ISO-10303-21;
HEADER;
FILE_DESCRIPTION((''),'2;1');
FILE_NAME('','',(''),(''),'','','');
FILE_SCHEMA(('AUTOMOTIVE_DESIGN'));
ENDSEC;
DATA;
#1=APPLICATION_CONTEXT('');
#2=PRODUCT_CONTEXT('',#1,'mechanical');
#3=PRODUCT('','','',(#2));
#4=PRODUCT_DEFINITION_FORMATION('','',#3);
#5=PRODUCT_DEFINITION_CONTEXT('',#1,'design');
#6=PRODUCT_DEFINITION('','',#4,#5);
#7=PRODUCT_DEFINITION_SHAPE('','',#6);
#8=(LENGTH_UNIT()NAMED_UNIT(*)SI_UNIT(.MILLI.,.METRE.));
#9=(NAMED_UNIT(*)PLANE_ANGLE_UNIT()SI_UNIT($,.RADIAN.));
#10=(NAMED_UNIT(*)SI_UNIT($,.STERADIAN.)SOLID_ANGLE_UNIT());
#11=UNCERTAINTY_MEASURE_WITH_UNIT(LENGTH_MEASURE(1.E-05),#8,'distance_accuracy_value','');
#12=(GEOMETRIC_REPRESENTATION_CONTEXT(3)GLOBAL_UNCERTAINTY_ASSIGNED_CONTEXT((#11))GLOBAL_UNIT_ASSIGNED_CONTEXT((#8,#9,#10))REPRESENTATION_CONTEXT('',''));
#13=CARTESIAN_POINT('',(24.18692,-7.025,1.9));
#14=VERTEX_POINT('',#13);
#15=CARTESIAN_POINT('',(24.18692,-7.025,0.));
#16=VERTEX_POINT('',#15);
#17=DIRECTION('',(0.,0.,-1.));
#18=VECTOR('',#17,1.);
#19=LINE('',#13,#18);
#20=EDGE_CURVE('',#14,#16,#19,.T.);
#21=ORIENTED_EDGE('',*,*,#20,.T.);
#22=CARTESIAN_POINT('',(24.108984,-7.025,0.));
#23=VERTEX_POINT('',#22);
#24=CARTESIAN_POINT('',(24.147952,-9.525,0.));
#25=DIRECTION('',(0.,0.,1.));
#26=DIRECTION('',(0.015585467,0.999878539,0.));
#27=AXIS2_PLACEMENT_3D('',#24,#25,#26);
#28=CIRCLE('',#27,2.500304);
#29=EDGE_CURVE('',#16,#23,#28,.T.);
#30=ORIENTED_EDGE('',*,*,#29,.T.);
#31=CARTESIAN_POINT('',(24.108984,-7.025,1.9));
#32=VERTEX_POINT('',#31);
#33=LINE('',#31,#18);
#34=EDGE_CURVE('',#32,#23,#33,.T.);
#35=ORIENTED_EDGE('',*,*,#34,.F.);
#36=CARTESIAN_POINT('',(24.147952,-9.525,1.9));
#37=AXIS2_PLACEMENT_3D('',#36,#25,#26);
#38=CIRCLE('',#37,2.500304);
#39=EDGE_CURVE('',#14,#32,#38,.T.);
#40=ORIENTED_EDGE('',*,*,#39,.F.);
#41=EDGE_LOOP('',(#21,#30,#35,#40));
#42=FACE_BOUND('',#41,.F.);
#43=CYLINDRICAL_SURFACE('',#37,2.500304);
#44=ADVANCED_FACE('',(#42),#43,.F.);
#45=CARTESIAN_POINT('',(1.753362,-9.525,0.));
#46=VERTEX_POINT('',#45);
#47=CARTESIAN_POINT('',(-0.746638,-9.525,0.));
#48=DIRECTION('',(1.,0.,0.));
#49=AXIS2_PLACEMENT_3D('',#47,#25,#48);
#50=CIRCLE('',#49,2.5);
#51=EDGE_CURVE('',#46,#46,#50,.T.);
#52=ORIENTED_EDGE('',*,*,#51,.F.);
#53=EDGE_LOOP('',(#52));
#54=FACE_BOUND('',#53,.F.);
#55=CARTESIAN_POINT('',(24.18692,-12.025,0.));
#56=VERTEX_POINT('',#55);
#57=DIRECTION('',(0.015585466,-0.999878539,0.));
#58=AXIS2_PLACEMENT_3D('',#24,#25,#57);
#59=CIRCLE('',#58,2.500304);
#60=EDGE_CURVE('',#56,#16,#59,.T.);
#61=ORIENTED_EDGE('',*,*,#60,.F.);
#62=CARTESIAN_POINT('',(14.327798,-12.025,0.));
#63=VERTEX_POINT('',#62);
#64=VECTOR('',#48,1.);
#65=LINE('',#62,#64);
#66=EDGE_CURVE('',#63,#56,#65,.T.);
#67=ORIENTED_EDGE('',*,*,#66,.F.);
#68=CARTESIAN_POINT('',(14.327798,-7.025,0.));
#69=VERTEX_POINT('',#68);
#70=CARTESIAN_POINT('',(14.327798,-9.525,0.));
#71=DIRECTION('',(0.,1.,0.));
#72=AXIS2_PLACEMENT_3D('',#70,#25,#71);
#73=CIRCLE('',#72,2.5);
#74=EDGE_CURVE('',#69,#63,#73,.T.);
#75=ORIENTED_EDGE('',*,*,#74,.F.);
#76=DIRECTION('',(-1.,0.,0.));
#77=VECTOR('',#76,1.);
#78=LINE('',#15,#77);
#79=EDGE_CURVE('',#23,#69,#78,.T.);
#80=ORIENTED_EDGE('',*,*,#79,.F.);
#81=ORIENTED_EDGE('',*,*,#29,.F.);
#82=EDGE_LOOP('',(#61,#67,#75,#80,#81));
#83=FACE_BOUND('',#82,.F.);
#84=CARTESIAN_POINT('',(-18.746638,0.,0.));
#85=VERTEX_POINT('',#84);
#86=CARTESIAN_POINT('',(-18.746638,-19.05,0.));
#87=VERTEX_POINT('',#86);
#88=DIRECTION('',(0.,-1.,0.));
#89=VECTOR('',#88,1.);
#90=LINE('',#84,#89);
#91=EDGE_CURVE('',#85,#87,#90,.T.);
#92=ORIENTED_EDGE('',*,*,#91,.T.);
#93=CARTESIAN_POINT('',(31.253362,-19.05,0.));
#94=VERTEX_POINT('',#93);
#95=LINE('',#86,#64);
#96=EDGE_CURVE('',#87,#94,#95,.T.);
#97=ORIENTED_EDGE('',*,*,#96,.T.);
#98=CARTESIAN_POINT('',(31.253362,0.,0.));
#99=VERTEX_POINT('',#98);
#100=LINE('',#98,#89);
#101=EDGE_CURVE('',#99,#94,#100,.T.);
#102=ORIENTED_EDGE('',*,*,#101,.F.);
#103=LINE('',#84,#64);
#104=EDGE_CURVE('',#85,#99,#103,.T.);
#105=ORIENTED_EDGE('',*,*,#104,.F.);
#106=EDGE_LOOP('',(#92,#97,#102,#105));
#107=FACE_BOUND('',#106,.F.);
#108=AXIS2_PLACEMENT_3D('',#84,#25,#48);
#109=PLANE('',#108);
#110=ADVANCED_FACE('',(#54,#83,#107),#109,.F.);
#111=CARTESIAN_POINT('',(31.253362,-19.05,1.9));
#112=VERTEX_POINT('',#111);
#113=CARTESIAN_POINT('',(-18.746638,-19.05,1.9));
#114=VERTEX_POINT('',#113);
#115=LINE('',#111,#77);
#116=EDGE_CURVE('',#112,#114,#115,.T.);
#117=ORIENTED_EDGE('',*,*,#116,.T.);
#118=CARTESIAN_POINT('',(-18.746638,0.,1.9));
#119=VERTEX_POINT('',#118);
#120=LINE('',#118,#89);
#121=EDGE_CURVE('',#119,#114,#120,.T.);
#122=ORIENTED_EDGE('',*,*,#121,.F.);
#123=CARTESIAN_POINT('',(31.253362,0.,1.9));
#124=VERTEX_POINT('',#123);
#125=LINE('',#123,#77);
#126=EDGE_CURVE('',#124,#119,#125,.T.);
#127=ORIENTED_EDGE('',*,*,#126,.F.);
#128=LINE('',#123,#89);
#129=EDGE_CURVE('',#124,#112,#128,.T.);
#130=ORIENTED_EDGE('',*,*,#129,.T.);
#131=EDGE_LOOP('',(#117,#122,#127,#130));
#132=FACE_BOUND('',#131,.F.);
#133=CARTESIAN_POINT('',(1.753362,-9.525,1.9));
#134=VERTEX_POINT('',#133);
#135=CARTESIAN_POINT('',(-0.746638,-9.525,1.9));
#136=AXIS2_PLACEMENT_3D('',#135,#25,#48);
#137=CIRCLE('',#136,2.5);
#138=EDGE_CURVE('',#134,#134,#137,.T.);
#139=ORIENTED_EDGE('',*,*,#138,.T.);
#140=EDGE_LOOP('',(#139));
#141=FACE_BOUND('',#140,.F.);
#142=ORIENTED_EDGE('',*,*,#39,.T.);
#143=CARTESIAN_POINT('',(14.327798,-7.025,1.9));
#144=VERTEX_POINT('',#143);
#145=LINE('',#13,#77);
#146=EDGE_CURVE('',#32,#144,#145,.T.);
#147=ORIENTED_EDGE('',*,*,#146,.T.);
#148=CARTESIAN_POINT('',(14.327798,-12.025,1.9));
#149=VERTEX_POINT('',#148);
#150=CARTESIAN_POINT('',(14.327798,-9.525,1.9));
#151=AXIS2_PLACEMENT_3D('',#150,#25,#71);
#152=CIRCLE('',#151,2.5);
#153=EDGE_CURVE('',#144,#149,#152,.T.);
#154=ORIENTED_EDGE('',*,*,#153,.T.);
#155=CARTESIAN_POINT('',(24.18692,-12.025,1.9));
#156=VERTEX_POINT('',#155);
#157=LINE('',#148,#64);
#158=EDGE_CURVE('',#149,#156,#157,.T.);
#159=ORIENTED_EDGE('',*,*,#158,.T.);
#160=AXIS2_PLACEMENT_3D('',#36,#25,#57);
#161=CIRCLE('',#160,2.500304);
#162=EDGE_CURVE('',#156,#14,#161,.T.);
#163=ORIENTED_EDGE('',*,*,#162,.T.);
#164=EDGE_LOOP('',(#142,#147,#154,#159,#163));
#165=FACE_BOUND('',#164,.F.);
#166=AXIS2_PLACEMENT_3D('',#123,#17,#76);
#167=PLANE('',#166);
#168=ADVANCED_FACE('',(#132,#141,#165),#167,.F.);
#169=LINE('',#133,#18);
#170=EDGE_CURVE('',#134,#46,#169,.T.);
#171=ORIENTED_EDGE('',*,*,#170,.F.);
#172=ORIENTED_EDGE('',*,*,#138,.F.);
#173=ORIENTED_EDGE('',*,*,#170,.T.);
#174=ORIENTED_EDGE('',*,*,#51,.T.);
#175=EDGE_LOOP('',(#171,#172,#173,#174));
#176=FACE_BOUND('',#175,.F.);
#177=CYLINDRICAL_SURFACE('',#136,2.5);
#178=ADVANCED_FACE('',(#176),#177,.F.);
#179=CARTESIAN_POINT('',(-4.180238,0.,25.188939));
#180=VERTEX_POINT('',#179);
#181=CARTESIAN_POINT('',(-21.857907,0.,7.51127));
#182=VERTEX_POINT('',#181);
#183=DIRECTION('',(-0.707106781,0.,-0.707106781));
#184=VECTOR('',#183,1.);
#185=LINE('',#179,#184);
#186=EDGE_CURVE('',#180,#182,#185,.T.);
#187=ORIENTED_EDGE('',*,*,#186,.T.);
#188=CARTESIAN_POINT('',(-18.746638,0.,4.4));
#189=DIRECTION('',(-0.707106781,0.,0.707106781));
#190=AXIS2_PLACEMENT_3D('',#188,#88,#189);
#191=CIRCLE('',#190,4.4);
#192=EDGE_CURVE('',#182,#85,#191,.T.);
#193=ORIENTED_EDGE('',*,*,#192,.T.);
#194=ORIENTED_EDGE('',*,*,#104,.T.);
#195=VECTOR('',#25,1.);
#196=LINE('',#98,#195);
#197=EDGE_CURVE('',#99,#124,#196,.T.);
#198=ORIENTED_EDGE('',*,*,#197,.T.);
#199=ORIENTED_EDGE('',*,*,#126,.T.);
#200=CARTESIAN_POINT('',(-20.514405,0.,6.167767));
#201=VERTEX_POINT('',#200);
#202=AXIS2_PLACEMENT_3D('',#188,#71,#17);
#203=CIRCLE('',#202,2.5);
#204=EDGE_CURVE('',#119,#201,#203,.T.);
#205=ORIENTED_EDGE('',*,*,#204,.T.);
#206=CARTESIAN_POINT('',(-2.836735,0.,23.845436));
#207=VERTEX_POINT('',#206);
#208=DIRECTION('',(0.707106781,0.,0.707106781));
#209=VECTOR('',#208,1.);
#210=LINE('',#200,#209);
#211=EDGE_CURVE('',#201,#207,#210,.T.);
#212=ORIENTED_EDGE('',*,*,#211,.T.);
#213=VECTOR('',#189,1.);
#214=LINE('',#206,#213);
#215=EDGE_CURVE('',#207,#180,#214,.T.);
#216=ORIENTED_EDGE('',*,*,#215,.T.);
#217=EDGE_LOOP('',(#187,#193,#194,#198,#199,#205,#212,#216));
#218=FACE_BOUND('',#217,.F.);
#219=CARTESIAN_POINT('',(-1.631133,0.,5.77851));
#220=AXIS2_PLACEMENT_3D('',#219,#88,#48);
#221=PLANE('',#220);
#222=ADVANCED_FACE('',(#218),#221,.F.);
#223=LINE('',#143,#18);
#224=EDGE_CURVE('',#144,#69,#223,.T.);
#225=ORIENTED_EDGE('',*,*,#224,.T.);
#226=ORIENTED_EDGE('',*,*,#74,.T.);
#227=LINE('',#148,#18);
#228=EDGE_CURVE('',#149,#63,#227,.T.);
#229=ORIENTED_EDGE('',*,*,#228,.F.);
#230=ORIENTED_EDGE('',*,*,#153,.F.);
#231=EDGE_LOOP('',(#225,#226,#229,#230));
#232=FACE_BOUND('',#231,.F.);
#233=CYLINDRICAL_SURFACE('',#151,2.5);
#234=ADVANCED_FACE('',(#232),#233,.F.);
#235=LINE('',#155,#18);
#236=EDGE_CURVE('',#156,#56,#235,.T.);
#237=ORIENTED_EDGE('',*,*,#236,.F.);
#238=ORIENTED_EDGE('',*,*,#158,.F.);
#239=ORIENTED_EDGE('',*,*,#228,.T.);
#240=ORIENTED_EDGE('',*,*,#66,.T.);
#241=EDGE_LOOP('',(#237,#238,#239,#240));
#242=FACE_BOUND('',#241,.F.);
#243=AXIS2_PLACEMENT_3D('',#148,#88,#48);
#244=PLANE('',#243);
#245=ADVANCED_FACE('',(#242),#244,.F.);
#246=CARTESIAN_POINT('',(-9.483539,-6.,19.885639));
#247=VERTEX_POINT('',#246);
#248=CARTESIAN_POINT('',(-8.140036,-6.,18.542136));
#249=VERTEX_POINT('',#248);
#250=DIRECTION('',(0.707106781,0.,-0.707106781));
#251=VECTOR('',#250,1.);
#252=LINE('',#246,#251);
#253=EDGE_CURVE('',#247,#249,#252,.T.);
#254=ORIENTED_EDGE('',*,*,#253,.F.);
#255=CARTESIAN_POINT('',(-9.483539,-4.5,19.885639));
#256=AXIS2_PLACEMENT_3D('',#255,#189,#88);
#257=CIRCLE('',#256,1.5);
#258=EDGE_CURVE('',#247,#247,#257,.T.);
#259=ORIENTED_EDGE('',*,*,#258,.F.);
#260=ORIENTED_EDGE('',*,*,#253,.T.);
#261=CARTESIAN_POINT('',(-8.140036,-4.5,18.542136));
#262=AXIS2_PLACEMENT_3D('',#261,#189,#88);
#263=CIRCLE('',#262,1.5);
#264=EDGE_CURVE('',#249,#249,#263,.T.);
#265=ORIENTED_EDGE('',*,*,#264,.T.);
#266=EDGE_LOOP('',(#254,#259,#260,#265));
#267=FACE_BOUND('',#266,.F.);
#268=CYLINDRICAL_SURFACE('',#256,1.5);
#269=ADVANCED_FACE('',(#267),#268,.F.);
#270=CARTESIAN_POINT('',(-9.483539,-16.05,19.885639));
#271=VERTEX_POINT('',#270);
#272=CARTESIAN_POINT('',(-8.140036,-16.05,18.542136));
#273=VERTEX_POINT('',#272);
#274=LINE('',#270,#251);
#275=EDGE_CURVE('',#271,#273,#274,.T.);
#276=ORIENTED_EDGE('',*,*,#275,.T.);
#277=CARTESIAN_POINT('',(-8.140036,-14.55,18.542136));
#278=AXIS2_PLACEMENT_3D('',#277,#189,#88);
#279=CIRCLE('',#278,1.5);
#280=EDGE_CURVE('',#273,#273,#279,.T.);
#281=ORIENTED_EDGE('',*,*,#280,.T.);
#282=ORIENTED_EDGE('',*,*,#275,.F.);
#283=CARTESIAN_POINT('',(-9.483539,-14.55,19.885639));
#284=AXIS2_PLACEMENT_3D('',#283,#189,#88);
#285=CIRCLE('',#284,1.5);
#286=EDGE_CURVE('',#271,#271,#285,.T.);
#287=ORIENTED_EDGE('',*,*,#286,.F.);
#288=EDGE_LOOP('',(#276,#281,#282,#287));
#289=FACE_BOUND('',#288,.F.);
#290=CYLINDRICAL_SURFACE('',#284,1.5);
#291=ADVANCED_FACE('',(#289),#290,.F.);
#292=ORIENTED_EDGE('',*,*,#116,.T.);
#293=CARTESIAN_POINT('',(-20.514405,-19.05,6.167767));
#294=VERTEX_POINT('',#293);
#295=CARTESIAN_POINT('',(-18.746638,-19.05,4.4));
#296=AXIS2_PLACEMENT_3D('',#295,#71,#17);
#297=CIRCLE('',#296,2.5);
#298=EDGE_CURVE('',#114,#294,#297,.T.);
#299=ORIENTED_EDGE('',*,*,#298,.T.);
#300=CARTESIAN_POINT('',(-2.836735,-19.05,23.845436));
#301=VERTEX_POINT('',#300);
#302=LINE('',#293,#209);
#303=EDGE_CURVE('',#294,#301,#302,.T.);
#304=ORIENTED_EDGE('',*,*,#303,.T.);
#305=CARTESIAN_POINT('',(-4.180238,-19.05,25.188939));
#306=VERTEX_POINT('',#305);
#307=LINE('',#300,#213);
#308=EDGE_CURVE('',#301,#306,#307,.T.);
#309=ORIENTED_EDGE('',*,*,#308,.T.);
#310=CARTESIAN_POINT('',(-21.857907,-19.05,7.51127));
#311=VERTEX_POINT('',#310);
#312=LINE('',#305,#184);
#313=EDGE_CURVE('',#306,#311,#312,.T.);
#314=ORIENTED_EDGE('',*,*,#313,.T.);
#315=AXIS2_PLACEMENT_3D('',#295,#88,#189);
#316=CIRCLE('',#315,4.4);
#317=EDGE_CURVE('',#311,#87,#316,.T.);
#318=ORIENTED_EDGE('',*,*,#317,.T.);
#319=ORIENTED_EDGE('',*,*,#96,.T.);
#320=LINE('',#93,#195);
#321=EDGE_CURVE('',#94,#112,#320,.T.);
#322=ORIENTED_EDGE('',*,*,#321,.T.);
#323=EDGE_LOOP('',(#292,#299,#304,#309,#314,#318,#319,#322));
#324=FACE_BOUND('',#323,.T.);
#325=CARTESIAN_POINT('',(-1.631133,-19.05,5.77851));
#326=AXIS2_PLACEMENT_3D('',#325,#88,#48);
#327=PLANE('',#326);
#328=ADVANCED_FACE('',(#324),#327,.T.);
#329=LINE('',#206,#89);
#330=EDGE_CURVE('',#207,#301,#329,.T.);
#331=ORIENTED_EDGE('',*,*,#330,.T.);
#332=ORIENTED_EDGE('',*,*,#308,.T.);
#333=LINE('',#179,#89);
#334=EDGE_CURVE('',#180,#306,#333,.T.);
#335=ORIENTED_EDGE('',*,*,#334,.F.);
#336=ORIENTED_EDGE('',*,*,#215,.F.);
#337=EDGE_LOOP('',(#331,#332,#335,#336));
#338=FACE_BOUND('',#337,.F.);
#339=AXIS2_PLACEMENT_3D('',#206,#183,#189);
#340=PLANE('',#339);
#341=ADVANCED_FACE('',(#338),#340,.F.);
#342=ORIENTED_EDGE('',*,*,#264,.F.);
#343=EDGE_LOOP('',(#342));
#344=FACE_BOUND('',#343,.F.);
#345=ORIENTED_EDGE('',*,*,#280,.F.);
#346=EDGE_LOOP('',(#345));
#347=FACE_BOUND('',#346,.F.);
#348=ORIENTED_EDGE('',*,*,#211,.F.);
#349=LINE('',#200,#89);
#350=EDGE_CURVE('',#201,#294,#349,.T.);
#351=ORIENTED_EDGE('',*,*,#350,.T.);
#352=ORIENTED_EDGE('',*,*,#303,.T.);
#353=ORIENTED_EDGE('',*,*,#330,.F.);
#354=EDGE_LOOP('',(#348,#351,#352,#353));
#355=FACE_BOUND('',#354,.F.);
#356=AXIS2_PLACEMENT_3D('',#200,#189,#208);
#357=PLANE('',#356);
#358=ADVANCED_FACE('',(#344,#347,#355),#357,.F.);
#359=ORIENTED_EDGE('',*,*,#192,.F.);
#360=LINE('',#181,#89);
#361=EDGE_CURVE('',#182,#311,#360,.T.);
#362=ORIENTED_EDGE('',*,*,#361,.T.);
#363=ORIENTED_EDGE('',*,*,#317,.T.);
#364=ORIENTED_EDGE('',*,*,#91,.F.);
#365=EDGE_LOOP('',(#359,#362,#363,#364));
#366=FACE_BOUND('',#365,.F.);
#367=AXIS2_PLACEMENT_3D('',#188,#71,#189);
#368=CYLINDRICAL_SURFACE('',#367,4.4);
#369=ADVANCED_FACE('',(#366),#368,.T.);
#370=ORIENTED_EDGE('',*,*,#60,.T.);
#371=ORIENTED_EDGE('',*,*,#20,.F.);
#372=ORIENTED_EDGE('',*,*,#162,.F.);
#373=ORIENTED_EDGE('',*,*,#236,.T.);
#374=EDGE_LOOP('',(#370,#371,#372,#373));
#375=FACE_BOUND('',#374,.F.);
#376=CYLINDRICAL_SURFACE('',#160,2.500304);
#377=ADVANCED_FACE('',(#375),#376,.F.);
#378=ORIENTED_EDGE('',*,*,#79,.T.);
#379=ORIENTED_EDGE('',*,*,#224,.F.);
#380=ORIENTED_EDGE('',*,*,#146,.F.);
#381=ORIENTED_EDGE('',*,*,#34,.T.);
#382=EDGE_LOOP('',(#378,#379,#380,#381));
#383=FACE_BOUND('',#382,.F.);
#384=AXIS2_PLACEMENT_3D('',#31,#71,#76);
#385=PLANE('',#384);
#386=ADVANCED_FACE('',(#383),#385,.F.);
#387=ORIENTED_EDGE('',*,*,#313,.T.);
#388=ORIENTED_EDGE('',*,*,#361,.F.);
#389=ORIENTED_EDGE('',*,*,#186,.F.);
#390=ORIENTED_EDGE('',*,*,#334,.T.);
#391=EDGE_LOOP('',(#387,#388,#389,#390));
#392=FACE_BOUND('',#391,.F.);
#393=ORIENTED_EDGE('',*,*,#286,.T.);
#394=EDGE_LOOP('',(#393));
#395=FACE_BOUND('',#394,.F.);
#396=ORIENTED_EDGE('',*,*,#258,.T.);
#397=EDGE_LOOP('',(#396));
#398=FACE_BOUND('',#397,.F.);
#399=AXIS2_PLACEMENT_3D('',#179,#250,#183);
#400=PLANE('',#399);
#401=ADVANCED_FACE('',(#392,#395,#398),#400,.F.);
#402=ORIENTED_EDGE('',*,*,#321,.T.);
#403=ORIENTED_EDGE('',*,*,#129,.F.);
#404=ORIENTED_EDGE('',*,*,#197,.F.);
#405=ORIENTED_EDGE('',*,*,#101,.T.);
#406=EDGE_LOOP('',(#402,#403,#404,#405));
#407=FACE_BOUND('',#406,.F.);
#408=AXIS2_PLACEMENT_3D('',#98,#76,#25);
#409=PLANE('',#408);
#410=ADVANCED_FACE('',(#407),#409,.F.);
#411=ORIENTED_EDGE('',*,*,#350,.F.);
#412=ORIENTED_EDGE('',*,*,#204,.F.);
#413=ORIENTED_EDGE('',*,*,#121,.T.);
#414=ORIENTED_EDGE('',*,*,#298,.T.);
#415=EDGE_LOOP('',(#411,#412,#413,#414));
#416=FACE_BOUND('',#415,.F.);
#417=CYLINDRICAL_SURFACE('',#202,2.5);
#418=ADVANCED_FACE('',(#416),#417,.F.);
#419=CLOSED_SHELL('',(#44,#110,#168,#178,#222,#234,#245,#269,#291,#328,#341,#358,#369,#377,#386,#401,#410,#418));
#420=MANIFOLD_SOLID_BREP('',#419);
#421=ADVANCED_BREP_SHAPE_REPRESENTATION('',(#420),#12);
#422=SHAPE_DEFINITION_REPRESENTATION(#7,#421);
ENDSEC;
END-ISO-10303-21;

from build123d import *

# Parameters (mm, degrees)
F1_DEPTH = 19.05
F2_R     = 2.5
F3_DEPTH = 1.9
F4_R     = 1.5
F5_DEPTH = 1.9


with BuildPart() as f1:
    # F0 (on Front) → F1 (new body)
    with BuildSketch(Plane.XZ):
        with BuildLine():
            Line((-18.746637599, 0), (31.253362401, 0))
            Line((31.253362401, 0), (31.253362401, 1.9))
            Line((31.253362401, 1.9), (-18.746637599, 1.9))
            ThreePointArc((-18.746637599, 1.9), (-21.0563364303, 3.4432914191), (-20.514404552, 6.167766953))
            Line((-20.514404552, 6.167766953), (-2.8367350223, 23.8454364826))
            Line((-2.8367350223, 23.8454364826), (-4.1802379066, 25.1889393669))
            Line((-4.1802379066, 25.1889393669), (-21.8579074362, 7.5112698372))
            ThreePointArc((-21.8579074362, 7.5112698372), (-22.8117075421, 2.7161928976), (-18.746637599, 0))
        make_face()
    extrude(amount=F1_DEPTH)

    # F2 (on face) → F3 (cut, through all)
    with BuildSketch(Plane.XY.offset(1.9)):
        with Locations((-0.746637599, -9.525)):
            Circle(F2_R)
        with BuildLine():
            ThreePointArc((24.1869203746, -12.025), (26.6482556642, -9.525), (24.1869203746, -7.025))
            Line((24.1869203746, -7.025), (24.1089835763, -7.025))
            Line((24.1089835763, -7.025), (14.3277980387, -7.025))
            ThreePointArc((14.3277980387, -7.025), (11.8277980387, -9.525), (14.3277980387, -12.025))
            Line((14.3277980387, -12.025), (24.1869203746, -12.025))
        make_face()
        with BuildLine():
            Line((24.1089835763, -7.025), (24.1869203746, -7.025))
            ThreePointArc((24.1869203746, -7.025), (24.1479519755, -7.0246963112), (24.1089835763, -7.025))
        make_face()
    extrude(amount=-F3_DEPTH, mode=Mode.SUBTRACT)

    # F4 (on face) → F5 (cut, through all)
    with BuildSketch(Plane(origin=(-14.6845886367, 0, 14.6845886367), x_dir=(0, -1, 0), z_dir=(-0.7071067812, 0, 0.7071067812))):
        with Locations((14.55, 7.3553952665)):
            Circle(F4_R)
        with Locations((4.5, 7.3553952665)):
            Circle(F4_R)
    extrude(amount=-F5_DEPTH, mode=Mode.SUBTRACT)


solid = f1.part
